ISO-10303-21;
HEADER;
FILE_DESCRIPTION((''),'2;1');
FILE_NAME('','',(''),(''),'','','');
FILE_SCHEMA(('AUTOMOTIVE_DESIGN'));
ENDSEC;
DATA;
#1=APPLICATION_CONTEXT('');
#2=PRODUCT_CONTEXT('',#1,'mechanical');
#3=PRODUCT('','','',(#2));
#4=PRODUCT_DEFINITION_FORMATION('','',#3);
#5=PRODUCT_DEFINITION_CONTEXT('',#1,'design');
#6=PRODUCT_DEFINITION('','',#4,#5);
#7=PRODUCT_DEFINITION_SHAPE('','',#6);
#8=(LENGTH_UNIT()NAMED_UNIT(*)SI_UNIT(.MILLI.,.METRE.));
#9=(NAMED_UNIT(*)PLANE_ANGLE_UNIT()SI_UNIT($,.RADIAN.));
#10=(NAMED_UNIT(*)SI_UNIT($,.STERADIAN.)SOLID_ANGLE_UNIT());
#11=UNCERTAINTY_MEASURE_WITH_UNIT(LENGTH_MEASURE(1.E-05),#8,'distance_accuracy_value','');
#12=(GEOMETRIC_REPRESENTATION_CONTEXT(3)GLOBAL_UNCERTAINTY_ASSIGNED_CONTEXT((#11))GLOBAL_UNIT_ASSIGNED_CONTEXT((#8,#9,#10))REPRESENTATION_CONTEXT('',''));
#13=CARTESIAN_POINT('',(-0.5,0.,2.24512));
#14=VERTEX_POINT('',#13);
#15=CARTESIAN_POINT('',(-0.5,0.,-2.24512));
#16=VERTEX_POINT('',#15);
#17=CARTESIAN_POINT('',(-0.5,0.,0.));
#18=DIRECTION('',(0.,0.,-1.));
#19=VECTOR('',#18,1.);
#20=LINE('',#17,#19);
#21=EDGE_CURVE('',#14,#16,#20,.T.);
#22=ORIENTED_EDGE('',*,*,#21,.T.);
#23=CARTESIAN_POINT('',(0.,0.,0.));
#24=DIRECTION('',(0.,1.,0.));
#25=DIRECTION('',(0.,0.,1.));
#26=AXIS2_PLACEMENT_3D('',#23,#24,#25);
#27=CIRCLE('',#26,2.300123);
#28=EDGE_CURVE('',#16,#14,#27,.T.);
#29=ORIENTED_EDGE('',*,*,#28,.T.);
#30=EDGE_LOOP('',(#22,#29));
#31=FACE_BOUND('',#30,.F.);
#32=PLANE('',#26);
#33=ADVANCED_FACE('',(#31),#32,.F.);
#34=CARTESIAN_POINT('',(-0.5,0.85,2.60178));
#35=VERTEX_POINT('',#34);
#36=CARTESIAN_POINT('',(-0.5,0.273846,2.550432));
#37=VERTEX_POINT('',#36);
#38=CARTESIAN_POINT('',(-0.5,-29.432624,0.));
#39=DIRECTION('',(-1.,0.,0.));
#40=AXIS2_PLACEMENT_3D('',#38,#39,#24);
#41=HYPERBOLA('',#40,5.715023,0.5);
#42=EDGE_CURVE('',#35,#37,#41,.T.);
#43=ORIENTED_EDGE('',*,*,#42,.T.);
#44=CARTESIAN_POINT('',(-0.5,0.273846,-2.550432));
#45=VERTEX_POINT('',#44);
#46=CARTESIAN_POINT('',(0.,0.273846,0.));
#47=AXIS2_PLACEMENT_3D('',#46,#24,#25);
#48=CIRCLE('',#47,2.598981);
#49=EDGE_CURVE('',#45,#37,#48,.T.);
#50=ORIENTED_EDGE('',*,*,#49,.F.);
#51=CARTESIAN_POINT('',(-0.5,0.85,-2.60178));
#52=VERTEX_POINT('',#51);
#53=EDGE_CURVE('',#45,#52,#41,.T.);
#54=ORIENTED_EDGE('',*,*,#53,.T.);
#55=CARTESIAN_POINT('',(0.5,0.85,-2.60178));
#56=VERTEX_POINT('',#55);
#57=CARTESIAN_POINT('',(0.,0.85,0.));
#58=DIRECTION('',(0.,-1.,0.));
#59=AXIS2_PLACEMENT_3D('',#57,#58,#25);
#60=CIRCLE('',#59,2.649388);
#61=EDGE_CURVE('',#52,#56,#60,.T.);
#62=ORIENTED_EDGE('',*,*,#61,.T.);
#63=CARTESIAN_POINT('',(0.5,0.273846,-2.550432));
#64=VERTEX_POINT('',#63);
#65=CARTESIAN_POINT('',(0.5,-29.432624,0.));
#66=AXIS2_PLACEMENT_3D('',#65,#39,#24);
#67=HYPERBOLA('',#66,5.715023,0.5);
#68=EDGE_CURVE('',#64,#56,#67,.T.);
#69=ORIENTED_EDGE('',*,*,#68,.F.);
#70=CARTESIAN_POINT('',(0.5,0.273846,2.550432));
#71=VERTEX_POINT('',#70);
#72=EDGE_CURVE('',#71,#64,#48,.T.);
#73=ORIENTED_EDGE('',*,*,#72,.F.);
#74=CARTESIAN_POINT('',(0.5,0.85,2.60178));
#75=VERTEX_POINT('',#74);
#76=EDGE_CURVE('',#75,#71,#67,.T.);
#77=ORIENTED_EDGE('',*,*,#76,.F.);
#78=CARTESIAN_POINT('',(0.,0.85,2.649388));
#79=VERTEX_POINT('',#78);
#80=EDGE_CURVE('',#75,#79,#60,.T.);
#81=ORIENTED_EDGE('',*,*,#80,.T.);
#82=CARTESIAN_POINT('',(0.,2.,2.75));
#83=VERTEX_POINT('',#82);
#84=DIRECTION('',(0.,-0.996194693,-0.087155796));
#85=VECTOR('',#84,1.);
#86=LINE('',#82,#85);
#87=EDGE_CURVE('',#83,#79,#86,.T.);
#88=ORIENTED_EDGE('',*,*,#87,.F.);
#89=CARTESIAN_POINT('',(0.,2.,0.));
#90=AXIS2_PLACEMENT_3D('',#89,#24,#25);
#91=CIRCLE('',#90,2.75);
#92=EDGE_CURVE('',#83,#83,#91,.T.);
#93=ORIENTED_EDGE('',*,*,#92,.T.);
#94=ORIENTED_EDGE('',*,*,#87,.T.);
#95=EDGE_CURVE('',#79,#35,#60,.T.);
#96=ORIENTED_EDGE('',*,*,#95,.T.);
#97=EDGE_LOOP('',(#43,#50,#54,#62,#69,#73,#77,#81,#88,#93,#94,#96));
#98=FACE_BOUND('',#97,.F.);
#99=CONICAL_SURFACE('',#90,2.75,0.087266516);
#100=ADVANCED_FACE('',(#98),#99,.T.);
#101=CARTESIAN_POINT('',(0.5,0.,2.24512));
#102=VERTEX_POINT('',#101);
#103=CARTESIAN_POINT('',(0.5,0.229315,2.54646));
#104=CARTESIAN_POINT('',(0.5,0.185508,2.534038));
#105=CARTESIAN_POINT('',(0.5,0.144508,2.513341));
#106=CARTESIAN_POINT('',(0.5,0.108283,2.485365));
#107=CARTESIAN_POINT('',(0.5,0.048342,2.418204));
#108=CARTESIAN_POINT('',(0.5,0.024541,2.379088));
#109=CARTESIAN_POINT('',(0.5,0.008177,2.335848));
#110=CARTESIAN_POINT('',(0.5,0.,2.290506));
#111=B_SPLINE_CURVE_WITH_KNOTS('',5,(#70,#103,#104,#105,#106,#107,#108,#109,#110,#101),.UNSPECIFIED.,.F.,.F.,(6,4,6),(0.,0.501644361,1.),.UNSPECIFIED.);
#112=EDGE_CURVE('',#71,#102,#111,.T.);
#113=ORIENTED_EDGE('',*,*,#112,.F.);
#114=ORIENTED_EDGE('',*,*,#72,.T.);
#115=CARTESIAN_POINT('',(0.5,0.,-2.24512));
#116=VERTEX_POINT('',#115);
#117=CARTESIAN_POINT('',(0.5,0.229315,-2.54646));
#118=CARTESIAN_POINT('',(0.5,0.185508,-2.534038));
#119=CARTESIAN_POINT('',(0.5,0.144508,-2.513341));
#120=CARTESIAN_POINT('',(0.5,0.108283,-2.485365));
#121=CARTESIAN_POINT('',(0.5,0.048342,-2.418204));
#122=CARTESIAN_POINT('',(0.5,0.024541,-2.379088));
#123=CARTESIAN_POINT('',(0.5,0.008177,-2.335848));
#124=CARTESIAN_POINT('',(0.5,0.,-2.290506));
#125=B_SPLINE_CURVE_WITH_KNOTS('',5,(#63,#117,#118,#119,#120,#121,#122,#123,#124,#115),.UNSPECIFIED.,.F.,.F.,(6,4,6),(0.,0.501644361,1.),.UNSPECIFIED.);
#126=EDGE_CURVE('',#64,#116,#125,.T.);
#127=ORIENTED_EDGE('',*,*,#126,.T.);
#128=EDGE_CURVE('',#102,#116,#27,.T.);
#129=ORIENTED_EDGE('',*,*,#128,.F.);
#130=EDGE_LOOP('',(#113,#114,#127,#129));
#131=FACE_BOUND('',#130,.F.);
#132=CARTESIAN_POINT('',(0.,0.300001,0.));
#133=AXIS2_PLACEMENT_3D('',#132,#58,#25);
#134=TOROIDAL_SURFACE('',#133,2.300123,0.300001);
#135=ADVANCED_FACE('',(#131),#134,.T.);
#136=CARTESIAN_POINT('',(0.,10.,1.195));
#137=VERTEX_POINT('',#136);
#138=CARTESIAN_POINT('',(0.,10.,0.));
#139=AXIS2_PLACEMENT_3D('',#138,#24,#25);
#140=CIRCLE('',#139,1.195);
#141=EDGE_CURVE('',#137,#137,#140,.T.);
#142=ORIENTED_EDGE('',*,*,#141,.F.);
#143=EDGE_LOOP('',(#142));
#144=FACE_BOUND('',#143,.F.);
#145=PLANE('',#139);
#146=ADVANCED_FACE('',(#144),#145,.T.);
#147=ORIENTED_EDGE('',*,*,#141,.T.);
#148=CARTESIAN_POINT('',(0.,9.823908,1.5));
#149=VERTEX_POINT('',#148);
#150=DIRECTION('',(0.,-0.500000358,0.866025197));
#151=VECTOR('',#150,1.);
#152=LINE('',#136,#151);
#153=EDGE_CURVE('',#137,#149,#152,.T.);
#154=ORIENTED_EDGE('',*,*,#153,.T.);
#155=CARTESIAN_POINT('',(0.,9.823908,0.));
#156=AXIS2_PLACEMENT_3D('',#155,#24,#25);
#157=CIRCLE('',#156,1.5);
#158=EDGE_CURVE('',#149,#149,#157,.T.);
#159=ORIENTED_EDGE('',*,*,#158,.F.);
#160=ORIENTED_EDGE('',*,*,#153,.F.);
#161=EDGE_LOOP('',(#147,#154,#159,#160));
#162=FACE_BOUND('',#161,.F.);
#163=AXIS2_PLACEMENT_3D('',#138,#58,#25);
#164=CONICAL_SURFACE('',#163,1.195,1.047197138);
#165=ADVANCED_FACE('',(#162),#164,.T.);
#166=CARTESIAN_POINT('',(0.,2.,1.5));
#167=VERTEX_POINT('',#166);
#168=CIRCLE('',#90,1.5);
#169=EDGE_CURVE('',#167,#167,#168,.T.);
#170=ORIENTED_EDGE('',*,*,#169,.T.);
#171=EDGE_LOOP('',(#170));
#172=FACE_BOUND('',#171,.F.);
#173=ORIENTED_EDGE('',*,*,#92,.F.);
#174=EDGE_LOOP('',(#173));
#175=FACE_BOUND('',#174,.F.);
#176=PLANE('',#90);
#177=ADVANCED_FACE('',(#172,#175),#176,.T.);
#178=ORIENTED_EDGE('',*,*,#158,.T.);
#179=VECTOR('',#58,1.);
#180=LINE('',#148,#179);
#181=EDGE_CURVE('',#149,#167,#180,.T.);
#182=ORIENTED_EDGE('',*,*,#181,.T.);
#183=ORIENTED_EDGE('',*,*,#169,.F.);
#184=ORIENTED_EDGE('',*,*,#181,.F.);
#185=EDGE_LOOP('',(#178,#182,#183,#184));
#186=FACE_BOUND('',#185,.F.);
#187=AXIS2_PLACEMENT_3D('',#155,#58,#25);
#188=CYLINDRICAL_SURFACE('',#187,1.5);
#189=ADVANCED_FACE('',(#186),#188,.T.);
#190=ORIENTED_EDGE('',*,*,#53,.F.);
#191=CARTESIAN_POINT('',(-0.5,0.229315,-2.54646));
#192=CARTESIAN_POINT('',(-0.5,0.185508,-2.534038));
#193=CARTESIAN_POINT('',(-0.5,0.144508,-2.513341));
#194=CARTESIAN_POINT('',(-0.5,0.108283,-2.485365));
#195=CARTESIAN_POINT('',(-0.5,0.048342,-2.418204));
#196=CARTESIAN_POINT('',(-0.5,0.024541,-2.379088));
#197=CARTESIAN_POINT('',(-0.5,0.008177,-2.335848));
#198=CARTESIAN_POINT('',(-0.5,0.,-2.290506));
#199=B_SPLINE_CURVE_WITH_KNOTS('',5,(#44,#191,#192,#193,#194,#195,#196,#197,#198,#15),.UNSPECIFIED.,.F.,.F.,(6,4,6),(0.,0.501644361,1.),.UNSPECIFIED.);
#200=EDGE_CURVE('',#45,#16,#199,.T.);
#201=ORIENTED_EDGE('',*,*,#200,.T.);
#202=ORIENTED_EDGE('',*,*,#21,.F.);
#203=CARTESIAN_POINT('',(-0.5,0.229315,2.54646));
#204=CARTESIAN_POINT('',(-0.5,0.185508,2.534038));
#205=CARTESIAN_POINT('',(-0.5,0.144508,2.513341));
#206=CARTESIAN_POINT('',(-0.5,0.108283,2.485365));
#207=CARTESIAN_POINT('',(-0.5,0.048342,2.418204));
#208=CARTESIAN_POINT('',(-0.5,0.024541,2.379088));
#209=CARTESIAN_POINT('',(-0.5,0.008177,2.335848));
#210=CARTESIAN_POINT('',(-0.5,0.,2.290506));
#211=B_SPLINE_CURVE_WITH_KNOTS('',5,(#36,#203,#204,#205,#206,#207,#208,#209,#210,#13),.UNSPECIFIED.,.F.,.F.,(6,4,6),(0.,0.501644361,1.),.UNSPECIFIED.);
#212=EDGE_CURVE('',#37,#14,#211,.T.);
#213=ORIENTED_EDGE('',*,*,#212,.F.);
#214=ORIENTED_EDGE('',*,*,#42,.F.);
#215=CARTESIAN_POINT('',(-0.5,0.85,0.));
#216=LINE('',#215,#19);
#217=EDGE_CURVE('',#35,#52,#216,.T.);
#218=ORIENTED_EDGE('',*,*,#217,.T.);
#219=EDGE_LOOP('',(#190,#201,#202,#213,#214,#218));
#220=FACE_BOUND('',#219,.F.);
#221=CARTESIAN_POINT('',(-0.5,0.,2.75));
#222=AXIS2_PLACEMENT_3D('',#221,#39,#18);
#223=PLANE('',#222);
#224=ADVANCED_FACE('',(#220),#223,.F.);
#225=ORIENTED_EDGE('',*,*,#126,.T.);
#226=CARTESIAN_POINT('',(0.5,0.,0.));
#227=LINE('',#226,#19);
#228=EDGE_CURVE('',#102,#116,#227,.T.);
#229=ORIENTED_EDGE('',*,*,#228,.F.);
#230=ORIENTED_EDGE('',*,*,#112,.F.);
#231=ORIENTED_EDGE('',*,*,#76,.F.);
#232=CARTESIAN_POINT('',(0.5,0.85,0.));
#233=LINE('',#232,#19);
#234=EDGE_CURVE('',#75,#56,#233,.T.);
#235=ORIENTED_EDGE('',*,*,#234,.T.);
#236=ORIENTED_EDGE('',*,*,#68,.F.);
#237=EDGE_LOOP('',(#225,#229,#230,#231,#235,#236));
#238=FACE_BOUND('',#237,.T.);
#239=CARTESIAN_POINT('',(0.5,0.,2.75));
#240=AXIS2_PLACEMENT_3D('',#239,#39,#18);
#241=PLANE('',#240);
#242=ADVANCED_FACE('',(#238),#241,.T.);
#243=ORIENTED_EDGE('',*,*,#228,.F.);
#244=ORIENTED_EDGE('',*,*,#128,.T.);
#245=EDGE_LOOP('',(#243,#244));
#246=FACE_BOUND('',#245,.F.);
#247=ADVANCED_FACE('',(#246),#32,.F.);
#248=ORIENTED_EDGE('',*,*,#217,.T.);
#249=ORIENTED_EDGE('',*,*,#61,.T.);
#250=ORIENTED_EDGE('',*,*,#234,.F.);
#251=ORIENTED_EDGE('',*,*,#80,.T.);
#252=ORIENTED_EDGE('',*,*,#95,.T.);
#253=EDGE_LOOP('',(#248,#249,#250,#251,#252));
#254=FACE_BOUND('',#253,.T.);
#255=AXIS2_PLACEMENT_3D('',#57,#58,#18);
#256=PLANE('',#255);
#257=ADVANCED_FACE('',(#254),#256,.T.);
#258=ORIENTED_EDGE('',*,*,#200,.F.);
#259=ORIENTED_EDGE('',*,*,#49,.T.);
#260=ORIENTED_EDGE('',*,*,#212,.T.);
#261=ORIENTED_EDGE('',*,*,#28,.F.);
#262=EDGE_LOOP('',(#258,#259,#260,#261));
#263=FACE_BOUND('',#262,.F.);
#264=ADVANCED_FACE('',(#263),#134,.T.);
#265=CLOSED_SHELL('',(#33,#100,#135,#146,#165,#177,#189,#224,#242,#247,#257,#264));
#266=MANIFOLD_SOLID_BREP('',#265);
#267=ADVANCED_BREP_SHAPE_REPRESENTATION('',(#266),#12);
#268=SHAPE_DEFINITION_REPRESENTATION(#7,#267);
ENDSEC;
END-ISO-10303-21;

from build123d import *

# Parameters (mm, degrees)
SKETCH001_W  = 5.5
SKETCH001_H  = 1
POCKET_DEPTH = 0.85


with BuildPart() as part:
    # Sketch → Revolution (revolve)
    with BuildSketch(Plane.YZ):
        with BuildLine():
            Line((0, 2.300123), (0, 0))
            Line((0, 0), (10, 0))
            Line((10, 0), (10, 1.195))
            Line((10, 1.195), (9.823908, 1.5))
            Line((9.823908, 1.5), (2, 1.5))
            Line((2, 1.5), (2, 2.75))
            Line((2, 2.75), (0.273846, 2.598981))
            ThreePointArc((0.273846, 2.598981), (0.078815, 2.502798), (0, 2.300123))
        make_face()
    revolve(axis=Axis((0, 0, 0), (0, 1, 0)))

    # Sketch001 → Pocket (cut)
    with BuildSketch(Plane(origin=(0, 0, 0), x_dir=(0, 0, -1), z_dir=(0, -1, 0))):
        Rectangle(SKETCH001_W, SKETCH001_H)
    extrude(amount=-POCKET_DEPTH, mode=Mode.SUBTRACT)


solid = part.part
